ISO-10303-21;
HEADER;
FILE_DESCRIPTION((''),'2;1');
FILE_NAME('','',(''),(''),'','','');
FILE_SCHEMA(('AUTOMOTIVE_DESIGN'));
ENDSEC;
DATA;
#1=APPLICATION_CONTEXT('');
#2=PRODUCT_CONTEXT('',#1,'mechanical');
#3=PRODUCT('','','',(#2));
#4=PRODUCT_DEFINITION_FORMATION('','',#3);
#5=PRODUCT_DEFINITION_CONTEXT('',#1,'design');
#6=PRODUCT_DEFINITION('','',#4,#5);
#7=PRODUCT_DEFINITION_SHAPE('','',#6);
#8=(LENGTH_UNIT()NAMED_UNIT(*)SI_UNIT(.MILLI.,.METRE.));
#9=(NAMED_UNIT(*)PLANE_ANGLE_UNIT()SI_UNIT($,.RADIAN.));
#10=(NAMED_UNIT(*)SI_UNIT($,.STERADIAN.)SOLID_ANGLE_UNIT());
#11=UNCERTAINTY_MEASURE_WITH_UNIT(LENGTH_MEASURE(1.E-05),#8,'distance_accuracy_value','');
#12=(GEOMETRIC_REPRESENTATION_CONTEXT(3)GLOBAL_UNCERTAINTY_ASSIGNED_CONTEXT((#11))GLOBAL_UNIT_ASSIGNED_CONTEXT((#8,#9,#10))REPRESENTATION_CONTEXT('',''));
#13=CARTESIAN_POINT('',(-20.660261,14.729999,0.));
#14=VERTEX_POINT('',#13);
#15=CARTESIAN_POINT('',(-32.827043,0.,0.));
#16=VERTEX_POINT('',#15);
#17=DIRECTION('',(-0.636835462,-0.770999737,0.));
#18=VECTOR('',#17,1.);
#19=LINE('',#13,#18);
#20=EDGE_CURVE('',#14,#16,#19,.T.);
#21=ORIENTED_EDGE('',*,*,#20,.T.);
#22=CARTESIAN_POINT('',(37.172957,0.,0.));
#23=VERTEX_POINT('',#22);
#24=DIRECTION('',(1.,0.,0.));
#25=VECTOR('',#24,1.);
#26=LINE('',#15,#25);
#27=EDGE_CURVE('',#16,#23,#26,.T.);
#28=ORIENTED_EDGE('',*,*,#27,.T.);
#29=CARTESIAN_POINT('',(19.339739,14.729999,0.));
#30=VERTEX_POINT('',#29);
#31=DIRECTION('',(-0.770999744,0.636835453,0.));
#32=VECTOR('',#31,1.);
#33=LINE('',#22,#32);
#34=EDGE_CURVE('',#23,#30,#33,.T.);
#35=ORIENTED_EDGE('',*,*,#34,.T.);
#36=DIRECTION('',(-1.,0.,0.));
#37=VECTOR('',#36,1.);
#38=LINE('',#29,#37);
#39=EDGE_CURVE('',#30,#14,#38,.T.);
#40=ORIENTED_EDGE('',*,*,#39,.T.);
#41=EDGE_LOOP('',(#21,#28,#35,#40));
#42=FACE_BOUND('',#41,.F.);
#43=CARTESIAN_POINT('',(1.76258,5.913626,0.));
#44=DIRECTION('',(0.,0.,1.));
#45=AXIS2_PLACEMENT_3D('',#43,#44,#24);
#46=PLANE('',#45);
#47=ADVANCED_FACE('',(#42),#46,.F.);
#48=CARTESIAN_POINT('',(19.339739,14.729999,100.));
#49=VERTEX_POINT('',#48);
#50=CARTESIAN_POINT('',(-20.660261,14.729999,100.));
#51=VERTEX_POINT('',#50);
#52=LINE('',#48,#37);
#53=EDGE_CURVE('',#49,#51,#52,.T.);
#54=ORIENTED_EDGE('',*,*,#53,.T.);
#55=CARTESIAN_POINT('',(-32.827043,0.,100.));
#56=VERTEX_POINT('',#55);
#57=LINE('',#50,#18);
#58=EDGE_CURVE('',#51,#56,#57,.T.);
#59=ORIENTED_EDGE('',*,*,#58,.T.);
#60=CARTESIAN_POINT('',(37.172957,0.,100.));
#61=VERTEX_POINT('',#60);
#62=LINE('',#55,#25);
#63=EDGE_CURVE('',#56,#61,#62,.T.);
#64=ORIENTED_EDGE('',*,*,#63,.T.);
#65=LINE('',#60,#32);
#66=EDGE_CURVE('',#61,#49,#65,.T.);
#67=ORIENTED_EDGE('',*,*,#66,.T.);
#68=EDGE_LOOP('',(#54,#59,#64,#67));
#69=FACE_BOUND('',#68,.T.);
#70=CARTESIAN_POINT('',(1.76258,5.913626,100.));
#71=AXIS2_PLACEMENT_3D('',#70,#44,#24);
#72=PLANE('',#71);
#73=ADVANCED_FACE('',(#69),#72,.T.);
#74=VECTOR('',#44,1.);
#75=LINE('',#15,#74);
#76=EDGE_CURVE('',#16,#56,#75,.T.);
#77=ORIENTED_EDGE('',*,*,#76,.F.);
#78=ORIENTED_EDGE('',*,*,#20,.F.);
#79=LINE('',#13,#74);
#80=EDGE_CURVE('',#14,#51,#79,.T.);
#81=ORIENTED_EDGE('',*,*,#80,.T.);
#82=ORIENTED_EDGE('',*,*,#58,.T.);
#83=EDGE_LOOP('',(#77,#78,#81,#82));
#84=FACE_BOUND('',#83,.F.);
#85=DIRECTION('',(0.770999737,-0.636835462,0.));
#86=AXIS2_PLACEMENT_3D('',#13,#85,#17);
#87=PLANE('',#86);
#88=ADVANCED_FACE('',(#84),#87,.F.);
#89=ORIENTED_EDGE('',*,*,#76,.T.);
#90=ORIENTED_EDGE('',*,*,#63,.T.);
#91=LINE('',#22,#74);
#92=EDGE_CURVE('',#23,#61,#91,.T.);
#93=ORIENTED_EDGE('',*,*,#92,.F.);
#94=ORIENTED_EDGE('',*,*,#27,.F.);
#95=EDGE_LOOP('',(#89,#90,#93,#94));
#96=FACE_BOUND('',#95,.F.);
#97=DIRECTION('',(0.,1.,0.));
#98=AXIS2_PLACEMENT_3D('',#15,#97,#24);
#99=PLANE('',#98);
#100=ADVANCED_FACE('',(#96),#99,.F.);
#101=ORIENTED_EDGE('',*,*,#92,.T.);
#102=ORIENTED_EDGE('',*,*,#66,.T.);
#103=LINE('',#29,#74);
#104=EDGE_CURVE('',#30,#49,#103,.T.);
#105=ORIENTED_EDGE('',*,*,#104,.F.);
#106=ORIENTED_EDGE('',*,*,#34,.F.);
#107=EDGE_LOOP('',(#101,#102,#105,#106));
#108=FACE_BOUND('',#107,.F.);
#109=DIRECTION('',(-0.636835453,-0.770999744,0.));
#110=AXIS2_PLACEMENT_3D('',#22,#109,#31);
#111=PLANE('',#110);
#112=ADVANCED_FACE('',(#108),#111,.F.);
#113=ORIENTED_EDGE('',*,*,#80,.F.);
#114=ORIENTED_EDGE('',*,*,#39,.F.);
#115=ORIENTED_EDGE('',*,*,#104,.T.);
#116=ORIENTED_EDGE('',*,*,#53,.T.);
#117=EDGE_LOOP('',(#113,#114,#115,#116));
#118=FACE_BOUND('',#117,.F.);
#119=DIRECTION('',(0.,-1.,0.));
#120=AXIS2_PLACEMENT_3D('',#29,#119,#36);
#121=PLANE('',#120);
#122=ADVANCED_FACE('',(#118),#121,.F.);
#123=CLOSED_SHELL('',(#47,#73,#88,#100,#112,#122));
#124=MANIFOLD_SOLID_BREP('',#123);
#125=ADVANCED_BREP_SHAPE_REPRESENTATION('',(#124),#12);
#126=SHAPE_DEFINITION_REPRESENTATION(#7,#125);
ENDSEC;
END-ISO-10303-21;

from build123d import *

# Parameters (mm, degrees)
PAD_DEPTH = 100


with BuildPart() as part:
    # Sketch001 → Pad (new body)
    with BuildSketch(Plane.XY):
        Polygon((37.172957, 0), (19.339739, 14.729999), (-20.660261, 14.729999), (-32.827043, 0), align=None)
    extrude(amount=PAD_DEPTH)


solid = part.part
